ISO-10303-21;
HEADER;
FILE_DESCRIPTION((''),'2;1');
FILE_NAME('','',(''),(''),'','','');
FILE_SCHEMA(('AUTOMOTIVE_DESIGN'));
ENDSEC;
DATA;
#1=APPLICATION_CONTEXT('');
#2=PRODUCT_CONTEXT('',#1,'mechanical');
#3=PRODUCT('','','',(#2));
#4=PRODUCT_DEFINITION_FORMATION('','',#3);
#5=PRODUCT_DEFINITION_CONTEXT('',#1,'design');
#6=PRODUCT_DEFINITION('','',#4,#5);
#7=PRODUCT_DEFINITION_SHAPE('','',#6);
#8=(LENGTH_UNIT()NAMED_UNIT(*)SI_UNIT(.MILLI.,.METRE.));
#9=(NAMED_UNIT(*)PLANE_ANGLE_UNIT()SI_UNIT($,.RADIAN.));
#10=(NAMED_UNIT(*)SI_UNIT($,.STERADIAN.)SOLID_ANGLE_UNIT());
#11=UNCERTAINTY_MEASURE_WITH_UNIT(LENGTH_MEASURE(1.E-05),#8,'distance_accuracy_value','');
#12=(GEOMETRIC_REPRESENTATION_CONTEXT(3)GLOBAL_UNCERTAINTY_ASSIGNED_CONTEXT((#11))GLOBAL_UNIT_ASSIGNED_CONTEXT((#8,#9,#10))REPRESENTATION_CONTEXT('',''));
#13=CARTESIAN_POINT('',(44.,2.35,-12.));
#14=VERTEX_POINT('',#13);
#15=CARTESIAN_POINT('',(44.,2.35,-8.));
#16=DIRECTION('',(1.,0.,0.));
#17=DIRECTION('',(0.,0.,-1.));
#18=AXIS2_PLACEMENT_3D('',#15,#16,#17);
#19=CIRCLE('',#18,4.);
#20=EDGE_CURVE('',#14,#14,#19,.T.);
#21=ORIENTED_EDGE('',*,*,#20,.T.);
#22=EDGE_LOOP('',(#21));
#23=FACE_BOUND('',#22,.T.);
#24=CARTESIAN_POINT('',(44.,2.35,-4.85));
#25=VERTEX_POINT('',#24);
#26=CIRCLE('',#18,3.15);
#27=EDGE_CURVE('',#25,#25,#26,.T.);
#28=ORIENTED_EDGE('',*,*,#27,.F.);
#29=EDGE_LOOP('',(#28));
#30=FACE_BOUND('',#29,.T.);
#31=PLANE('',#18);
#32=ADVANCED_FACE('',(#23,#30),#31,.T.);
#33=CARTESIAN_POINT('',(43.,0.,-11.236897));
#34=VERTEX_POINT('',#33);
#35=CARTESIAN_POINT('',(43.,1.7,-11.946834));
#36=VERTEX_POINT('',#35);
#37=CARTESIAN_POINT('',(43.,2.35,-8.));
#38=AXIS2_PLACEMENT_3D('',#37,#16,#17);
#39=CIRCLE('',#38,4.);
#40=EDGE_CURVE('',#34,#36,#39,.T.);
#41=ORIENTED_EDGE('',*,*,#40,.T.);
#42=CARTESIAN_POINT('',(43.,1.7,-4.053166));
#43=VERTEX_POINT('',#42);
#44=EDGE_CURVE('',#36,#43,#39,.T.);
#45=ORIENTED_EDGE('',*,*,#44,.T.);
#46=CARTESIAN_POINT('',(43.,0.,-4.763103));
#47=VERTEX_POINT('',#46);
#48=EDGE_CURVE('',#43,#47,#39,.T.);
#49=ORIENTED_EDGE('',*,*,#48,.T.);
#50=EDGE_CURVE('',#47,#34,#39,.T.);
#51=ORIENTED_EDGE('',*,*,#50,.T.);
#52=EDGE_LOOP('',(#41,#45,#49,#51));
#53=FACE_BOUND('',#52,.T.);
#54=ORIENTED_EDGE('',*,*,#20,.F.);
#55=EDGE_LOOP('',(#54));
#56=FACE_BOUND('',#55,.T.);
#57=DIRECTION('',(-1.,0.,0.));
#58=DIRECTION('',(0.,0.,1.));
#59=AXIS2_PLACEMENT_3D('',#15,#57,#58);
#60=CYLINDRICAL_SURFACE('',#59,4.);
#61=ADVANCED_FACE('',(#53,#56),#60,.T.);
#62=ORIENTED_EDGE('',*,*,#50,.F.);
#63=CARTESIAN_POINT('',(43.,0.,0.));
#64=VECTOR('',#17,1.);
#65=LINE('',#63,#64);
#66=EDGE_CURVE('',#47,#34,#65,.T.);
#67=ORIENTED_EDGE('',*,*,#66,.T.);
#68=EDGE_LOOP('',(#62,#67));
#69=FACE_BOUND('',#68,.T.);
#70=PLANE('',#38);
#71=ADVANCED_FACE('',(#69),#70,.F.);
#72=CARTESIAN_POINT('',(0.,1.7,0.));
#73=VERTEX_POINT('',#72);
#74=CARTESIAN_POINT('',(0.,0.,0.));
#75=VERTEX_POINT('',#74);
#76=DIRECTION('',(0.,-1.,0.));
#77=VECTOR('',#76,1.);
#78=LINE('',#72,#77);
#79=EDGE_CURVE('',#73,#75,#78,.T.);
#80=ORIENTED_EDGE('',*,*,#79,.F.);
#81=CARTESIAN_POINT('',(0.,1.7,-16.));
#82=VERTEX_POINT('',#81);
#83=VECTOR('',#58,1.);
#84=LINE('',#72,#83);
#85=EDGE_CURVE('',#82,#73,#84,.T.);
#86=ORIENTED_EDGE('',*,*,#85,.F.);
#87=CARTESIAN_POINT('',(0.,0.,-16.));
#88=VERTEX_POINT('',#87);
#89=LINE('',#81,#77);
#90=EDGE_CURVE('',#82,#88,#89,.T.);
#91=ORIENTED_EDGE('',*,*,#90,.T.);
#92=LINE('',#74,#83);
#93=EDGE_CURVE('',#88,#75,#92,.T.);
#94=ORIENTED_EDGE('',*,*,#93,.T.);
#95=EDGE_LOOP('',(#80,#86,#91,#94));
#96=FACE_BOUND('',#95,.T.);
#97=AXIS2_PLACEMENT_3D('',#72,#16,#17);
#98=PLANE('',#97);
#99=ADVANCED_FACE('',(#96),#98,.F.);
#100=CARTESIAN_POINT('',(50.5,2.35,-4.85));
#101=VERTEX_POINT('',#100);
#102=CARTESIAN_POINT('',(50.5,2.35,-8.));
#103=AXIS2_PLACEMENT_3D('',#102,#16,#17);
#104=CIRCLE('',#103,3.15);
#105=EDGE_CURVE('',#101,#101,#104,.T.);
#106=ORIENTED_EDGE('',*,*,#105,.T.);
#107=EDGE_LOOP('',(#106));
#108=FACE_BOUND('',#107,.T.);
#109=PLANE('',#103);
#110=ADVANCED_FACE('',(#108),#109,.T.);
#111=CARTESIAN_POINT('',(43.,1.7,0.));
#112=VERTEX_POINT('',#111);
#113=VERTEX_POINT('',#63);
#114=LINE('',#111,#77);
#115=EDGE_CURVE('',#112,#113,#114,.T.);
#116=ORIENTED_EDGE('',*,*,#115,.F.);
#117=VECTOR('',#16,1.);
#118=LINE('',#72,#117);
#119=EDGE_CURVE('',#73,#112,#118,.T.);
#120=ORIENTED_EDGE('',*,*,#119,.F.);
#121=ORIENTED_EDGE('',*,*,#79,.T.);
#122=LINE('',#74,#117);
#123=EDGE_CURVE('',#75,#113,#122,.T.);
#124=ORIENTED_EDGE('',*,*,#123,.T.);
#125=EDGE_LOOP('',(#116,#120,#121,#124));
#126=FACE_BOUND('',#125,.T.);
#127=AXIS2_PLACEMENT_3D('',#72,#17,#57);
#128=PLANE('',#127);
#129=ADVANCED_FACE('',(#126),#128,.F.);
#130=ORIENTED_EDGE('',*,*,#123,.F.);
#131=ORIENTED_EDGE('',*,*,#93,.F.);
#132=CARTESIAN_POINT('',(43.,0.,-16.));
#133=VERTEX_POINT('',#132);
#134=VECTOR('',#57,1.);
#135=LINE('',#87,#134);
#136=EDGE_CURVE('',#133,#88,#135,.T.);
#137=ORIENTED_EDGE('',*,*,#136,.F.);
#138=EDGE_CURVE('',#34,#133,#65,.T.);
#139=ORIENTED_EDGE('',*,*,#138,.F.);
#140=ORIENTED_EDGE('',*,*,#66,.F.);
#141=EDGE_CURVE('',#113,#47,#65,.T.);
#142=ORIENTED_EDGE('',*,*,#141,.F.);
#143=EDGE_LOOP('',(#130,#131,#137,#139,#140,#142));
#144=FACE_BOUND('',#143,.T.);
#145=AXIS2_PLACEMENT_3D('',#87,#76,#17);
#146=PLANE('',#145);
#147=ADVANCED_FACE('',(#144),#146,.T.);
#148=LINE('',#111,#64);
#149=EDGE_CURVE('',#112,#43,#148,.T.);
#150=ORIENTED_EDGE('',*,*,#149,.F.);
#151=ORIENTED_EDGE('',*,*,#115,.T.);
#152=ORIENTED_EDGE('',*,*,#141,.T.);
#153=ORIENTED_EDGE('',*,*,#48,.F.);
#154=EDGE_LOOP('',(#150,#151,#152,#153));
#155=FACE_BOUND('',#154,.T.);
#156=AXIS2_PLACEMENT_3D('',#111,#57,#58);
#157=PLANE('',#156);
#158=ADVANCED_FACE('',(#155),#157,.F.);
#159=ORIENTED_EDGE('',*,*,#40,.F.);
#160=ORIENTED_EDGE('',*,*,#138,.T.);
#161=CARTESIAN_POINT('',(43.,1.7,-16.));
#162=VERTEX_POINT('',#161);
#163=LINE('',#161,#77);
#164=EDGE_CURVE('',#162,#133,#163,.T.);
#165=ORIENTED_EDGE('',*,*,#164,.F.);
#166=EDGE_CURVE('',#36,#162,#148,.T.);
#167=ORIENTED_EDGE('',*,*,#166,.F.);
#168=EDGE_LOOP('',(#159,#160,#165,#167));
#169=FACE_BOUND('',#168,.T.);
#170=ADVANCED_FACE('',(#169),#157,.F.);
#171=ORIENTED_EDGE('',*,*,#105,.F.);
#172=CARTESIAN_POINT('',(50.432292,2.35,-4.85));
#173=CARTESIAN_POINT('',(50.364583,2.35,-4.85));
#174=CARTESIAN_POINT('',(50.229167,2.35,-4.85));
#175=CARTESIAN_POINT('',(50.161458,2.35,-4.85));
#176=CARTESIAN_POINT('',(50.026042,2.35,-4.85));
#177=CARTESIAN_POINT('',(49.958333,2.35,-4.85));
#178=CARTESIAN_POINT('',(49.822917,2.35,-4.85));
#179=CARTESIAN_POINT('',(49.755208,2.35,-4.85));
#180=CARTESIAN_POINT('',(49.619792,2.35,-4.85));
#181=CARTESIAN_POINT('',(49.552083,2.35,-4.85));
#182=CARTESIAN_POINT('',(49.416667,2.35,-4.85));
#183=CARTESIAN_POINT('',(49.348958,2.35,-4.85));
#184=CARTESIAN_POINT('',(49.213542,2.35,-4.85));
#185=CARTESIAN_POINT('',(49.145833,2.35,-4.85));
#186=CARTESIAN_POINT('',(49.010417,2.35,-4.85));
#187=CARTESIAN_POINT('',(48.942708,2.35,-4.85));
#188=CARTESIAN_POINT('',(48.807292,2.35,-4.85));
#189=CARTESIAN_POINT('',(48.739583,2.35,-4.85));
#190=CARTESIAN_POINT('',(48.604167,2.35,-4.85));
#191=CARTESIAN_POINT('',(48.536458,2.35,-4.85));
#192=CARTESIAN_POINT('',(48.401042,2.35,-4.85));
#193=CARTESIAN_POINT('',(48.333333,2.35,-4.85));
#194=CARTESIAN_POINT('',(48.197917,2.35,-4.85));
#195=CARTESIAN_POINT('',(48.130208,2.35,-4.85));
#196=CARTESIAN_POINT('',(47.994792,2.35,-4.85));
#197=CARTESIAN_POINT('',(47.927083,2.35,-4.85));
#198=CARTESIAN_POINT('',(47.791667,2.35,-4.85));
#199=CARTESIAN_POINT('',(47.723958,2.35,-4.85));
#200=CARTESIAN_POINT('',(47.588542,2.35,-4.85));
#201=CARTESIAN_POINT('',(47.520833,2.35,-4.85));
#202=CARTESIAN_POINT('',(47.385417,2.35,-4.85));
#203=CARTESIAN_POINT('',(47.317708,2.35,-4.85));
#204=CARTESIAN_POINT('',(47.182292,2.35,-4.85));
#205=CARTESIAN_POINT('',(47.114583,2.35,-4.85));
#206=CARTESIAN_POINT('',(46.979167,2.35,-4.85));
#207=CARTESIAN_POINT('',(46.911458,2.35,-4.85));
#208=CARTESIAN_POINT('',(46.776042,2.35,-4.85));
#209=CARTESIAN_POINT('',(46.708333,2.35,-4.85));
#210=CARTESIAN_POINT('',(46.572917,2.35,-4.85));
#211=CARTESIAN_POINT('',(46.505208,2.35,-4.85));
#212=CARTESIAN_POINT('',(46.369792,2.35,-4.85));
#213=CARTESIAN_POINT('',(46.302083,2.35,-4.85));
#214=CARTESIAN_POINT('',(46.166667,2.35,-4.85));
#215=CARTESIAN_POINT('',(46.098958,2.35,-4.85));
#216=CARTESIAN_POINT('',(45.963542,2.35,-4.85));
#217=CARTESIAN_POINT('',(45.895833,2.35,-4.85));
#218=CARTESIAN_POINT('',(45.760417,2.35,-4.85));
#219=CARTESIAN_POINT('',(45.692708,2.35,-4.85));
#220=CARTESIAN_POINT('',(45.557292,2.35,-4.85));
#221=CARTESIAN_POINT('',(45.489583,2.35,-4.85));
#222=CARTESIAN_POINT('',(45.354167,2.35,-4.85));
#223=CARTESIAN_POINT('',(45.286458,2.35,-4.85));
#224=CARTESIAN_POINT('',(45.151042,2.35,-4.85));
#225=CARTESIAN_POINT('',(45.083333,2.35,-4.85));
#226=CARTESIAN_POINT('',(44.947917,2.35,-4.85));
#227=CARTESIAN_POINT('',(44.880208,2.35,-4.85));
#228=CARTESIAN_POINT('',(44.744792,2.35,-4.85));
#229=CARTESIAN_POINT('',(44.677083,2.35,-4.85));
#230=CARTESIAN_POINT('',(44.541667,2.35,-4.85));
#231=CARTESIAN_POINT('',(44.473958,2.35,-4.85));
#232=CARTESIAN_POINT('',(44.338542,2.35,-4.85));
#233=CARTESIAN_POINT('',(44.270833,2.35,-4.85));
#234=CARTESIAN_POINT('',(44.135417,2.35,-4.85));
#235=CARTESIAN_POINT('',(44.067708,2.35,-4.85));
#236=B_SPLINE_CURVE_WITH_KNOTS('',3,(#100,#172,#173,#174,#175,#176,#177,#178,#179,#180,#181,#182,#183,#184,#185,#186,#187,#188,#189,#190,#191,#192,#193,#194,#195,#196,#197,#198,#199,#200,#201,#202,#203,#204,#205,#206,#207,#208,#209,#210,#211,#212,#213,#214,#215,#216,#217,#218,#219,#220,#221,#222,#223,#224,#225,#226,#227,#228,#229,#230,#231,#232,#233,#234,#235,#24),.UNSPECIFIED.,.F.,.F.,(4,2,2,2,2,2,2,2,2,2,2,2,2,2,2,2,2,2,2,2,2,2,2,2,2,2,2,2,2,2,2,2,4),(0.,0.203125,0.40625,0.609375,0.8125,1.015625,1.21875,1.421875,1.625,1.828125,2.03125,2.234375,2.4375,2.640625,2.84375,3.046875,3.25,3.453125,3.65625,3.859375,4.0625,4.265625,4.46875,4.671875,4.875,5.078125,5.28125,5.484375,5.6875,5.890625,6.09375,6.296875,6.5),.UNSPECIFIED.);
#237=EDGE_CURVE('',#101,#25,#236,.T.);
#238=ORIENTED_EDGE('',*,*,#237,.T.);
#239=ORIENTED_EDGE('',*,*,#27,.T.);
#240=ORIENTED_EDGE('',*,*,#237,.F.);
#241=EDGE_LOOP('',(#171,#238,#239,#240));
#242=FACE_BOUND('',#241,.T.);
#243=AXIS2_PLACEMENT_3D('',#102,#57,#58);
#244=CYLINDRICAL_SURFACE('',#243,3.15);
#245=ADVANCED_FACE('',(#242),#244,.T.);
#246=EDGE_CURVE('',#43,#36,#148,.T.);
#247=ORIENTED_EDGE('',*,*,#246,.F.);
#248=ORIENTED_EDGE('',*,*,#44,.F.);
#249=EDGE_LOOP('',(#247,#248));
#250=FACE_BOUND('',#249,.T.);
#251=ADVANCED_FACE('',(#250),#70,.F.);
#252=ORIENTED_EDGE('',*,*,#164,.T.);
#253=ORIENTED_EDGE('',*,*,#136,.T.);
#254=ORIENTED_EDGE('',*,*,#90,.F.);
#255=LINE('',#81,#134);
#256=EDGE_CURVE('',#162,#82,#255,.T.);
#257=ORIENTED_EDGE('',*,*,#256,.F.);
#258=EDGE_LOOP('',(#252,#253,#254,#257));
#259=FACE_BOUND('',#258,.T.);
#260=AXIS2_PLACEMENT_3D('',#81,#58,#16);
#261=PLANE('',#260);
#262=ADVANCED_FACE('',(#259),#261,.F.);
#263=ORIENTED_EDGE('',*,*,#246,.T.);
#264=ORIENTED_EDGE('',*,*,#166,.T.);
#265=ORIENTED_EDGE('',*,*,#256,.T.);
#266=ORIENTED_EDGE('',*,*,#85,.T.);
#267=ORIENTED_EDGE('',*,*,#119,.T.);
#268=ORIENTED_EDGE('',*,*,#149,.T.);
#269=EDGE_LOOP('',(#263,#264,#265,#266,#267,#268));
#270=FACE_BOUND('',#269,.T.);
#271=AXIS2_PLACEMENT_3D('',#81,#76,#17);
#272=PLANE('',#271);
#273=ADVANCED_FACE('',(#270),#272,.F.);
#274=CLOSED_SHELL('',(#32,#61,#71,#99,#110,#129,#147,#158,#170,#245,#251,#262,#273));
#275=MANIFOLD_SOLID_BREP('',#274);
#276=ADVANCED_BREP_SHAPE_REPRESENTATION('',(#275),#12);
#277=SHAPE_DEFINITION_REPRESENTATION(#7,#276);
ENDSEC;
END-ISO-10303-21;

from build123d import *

# Parameters (mm, degrees)
SKETCH1_W           = 43
SKETCH1_H           = 16
BOSS_EXTRUDE1_DEPTH = 1.7
SKETCH2_R           = 4
BOSS_EXTRUDE2_DEPTH = 1
SKETCH3_R           = 3.15
BOSS_EXTRUDE3_DEPTH = 6.5


with BuildPart() as part:
    # Sketch1 → Boss-Extrude1 (new body)
    with BuildSketch(Plane(origin=(0, 0, 0), x_dir=(1, 0, 0), z_dir=(0, 1, 0))):
        with Locations((21.5, 8)):
            Rectangle(SKETCH1_W, SKETCH1_H)
    extrude(amount=BOSS_EXTRUDE1_DEPTH)

    # Sketch2 → Boss-Extrude2 (add)
    with BuildSketch(Plane(origin=(43, 0, 0), x_dir=(0, 0, -1), z_dir=(1, 0, 0))):
        with Locations(Location((8, 2.35, 0), (0, 0, 189.352035058))):
            Circle(SKETCH2_R)
    extrude(amount=BOSS_EXTRUDE2_DEPTH)

    # Sketch3 → Boss-Extrude3 (add)
    with BuildSketch(Plane(origin=(44, 0, 0), x_dir=(0, 0, -1), z_dir=(1, 0, 0))):
        with Locations(Location((8, 2.35, 0), (0, 0, 180))):
            Circle(SKETCH3_R)
    extrude(amount=BOSS_EXTRUDE3_DEPTH)


solid = part.part
